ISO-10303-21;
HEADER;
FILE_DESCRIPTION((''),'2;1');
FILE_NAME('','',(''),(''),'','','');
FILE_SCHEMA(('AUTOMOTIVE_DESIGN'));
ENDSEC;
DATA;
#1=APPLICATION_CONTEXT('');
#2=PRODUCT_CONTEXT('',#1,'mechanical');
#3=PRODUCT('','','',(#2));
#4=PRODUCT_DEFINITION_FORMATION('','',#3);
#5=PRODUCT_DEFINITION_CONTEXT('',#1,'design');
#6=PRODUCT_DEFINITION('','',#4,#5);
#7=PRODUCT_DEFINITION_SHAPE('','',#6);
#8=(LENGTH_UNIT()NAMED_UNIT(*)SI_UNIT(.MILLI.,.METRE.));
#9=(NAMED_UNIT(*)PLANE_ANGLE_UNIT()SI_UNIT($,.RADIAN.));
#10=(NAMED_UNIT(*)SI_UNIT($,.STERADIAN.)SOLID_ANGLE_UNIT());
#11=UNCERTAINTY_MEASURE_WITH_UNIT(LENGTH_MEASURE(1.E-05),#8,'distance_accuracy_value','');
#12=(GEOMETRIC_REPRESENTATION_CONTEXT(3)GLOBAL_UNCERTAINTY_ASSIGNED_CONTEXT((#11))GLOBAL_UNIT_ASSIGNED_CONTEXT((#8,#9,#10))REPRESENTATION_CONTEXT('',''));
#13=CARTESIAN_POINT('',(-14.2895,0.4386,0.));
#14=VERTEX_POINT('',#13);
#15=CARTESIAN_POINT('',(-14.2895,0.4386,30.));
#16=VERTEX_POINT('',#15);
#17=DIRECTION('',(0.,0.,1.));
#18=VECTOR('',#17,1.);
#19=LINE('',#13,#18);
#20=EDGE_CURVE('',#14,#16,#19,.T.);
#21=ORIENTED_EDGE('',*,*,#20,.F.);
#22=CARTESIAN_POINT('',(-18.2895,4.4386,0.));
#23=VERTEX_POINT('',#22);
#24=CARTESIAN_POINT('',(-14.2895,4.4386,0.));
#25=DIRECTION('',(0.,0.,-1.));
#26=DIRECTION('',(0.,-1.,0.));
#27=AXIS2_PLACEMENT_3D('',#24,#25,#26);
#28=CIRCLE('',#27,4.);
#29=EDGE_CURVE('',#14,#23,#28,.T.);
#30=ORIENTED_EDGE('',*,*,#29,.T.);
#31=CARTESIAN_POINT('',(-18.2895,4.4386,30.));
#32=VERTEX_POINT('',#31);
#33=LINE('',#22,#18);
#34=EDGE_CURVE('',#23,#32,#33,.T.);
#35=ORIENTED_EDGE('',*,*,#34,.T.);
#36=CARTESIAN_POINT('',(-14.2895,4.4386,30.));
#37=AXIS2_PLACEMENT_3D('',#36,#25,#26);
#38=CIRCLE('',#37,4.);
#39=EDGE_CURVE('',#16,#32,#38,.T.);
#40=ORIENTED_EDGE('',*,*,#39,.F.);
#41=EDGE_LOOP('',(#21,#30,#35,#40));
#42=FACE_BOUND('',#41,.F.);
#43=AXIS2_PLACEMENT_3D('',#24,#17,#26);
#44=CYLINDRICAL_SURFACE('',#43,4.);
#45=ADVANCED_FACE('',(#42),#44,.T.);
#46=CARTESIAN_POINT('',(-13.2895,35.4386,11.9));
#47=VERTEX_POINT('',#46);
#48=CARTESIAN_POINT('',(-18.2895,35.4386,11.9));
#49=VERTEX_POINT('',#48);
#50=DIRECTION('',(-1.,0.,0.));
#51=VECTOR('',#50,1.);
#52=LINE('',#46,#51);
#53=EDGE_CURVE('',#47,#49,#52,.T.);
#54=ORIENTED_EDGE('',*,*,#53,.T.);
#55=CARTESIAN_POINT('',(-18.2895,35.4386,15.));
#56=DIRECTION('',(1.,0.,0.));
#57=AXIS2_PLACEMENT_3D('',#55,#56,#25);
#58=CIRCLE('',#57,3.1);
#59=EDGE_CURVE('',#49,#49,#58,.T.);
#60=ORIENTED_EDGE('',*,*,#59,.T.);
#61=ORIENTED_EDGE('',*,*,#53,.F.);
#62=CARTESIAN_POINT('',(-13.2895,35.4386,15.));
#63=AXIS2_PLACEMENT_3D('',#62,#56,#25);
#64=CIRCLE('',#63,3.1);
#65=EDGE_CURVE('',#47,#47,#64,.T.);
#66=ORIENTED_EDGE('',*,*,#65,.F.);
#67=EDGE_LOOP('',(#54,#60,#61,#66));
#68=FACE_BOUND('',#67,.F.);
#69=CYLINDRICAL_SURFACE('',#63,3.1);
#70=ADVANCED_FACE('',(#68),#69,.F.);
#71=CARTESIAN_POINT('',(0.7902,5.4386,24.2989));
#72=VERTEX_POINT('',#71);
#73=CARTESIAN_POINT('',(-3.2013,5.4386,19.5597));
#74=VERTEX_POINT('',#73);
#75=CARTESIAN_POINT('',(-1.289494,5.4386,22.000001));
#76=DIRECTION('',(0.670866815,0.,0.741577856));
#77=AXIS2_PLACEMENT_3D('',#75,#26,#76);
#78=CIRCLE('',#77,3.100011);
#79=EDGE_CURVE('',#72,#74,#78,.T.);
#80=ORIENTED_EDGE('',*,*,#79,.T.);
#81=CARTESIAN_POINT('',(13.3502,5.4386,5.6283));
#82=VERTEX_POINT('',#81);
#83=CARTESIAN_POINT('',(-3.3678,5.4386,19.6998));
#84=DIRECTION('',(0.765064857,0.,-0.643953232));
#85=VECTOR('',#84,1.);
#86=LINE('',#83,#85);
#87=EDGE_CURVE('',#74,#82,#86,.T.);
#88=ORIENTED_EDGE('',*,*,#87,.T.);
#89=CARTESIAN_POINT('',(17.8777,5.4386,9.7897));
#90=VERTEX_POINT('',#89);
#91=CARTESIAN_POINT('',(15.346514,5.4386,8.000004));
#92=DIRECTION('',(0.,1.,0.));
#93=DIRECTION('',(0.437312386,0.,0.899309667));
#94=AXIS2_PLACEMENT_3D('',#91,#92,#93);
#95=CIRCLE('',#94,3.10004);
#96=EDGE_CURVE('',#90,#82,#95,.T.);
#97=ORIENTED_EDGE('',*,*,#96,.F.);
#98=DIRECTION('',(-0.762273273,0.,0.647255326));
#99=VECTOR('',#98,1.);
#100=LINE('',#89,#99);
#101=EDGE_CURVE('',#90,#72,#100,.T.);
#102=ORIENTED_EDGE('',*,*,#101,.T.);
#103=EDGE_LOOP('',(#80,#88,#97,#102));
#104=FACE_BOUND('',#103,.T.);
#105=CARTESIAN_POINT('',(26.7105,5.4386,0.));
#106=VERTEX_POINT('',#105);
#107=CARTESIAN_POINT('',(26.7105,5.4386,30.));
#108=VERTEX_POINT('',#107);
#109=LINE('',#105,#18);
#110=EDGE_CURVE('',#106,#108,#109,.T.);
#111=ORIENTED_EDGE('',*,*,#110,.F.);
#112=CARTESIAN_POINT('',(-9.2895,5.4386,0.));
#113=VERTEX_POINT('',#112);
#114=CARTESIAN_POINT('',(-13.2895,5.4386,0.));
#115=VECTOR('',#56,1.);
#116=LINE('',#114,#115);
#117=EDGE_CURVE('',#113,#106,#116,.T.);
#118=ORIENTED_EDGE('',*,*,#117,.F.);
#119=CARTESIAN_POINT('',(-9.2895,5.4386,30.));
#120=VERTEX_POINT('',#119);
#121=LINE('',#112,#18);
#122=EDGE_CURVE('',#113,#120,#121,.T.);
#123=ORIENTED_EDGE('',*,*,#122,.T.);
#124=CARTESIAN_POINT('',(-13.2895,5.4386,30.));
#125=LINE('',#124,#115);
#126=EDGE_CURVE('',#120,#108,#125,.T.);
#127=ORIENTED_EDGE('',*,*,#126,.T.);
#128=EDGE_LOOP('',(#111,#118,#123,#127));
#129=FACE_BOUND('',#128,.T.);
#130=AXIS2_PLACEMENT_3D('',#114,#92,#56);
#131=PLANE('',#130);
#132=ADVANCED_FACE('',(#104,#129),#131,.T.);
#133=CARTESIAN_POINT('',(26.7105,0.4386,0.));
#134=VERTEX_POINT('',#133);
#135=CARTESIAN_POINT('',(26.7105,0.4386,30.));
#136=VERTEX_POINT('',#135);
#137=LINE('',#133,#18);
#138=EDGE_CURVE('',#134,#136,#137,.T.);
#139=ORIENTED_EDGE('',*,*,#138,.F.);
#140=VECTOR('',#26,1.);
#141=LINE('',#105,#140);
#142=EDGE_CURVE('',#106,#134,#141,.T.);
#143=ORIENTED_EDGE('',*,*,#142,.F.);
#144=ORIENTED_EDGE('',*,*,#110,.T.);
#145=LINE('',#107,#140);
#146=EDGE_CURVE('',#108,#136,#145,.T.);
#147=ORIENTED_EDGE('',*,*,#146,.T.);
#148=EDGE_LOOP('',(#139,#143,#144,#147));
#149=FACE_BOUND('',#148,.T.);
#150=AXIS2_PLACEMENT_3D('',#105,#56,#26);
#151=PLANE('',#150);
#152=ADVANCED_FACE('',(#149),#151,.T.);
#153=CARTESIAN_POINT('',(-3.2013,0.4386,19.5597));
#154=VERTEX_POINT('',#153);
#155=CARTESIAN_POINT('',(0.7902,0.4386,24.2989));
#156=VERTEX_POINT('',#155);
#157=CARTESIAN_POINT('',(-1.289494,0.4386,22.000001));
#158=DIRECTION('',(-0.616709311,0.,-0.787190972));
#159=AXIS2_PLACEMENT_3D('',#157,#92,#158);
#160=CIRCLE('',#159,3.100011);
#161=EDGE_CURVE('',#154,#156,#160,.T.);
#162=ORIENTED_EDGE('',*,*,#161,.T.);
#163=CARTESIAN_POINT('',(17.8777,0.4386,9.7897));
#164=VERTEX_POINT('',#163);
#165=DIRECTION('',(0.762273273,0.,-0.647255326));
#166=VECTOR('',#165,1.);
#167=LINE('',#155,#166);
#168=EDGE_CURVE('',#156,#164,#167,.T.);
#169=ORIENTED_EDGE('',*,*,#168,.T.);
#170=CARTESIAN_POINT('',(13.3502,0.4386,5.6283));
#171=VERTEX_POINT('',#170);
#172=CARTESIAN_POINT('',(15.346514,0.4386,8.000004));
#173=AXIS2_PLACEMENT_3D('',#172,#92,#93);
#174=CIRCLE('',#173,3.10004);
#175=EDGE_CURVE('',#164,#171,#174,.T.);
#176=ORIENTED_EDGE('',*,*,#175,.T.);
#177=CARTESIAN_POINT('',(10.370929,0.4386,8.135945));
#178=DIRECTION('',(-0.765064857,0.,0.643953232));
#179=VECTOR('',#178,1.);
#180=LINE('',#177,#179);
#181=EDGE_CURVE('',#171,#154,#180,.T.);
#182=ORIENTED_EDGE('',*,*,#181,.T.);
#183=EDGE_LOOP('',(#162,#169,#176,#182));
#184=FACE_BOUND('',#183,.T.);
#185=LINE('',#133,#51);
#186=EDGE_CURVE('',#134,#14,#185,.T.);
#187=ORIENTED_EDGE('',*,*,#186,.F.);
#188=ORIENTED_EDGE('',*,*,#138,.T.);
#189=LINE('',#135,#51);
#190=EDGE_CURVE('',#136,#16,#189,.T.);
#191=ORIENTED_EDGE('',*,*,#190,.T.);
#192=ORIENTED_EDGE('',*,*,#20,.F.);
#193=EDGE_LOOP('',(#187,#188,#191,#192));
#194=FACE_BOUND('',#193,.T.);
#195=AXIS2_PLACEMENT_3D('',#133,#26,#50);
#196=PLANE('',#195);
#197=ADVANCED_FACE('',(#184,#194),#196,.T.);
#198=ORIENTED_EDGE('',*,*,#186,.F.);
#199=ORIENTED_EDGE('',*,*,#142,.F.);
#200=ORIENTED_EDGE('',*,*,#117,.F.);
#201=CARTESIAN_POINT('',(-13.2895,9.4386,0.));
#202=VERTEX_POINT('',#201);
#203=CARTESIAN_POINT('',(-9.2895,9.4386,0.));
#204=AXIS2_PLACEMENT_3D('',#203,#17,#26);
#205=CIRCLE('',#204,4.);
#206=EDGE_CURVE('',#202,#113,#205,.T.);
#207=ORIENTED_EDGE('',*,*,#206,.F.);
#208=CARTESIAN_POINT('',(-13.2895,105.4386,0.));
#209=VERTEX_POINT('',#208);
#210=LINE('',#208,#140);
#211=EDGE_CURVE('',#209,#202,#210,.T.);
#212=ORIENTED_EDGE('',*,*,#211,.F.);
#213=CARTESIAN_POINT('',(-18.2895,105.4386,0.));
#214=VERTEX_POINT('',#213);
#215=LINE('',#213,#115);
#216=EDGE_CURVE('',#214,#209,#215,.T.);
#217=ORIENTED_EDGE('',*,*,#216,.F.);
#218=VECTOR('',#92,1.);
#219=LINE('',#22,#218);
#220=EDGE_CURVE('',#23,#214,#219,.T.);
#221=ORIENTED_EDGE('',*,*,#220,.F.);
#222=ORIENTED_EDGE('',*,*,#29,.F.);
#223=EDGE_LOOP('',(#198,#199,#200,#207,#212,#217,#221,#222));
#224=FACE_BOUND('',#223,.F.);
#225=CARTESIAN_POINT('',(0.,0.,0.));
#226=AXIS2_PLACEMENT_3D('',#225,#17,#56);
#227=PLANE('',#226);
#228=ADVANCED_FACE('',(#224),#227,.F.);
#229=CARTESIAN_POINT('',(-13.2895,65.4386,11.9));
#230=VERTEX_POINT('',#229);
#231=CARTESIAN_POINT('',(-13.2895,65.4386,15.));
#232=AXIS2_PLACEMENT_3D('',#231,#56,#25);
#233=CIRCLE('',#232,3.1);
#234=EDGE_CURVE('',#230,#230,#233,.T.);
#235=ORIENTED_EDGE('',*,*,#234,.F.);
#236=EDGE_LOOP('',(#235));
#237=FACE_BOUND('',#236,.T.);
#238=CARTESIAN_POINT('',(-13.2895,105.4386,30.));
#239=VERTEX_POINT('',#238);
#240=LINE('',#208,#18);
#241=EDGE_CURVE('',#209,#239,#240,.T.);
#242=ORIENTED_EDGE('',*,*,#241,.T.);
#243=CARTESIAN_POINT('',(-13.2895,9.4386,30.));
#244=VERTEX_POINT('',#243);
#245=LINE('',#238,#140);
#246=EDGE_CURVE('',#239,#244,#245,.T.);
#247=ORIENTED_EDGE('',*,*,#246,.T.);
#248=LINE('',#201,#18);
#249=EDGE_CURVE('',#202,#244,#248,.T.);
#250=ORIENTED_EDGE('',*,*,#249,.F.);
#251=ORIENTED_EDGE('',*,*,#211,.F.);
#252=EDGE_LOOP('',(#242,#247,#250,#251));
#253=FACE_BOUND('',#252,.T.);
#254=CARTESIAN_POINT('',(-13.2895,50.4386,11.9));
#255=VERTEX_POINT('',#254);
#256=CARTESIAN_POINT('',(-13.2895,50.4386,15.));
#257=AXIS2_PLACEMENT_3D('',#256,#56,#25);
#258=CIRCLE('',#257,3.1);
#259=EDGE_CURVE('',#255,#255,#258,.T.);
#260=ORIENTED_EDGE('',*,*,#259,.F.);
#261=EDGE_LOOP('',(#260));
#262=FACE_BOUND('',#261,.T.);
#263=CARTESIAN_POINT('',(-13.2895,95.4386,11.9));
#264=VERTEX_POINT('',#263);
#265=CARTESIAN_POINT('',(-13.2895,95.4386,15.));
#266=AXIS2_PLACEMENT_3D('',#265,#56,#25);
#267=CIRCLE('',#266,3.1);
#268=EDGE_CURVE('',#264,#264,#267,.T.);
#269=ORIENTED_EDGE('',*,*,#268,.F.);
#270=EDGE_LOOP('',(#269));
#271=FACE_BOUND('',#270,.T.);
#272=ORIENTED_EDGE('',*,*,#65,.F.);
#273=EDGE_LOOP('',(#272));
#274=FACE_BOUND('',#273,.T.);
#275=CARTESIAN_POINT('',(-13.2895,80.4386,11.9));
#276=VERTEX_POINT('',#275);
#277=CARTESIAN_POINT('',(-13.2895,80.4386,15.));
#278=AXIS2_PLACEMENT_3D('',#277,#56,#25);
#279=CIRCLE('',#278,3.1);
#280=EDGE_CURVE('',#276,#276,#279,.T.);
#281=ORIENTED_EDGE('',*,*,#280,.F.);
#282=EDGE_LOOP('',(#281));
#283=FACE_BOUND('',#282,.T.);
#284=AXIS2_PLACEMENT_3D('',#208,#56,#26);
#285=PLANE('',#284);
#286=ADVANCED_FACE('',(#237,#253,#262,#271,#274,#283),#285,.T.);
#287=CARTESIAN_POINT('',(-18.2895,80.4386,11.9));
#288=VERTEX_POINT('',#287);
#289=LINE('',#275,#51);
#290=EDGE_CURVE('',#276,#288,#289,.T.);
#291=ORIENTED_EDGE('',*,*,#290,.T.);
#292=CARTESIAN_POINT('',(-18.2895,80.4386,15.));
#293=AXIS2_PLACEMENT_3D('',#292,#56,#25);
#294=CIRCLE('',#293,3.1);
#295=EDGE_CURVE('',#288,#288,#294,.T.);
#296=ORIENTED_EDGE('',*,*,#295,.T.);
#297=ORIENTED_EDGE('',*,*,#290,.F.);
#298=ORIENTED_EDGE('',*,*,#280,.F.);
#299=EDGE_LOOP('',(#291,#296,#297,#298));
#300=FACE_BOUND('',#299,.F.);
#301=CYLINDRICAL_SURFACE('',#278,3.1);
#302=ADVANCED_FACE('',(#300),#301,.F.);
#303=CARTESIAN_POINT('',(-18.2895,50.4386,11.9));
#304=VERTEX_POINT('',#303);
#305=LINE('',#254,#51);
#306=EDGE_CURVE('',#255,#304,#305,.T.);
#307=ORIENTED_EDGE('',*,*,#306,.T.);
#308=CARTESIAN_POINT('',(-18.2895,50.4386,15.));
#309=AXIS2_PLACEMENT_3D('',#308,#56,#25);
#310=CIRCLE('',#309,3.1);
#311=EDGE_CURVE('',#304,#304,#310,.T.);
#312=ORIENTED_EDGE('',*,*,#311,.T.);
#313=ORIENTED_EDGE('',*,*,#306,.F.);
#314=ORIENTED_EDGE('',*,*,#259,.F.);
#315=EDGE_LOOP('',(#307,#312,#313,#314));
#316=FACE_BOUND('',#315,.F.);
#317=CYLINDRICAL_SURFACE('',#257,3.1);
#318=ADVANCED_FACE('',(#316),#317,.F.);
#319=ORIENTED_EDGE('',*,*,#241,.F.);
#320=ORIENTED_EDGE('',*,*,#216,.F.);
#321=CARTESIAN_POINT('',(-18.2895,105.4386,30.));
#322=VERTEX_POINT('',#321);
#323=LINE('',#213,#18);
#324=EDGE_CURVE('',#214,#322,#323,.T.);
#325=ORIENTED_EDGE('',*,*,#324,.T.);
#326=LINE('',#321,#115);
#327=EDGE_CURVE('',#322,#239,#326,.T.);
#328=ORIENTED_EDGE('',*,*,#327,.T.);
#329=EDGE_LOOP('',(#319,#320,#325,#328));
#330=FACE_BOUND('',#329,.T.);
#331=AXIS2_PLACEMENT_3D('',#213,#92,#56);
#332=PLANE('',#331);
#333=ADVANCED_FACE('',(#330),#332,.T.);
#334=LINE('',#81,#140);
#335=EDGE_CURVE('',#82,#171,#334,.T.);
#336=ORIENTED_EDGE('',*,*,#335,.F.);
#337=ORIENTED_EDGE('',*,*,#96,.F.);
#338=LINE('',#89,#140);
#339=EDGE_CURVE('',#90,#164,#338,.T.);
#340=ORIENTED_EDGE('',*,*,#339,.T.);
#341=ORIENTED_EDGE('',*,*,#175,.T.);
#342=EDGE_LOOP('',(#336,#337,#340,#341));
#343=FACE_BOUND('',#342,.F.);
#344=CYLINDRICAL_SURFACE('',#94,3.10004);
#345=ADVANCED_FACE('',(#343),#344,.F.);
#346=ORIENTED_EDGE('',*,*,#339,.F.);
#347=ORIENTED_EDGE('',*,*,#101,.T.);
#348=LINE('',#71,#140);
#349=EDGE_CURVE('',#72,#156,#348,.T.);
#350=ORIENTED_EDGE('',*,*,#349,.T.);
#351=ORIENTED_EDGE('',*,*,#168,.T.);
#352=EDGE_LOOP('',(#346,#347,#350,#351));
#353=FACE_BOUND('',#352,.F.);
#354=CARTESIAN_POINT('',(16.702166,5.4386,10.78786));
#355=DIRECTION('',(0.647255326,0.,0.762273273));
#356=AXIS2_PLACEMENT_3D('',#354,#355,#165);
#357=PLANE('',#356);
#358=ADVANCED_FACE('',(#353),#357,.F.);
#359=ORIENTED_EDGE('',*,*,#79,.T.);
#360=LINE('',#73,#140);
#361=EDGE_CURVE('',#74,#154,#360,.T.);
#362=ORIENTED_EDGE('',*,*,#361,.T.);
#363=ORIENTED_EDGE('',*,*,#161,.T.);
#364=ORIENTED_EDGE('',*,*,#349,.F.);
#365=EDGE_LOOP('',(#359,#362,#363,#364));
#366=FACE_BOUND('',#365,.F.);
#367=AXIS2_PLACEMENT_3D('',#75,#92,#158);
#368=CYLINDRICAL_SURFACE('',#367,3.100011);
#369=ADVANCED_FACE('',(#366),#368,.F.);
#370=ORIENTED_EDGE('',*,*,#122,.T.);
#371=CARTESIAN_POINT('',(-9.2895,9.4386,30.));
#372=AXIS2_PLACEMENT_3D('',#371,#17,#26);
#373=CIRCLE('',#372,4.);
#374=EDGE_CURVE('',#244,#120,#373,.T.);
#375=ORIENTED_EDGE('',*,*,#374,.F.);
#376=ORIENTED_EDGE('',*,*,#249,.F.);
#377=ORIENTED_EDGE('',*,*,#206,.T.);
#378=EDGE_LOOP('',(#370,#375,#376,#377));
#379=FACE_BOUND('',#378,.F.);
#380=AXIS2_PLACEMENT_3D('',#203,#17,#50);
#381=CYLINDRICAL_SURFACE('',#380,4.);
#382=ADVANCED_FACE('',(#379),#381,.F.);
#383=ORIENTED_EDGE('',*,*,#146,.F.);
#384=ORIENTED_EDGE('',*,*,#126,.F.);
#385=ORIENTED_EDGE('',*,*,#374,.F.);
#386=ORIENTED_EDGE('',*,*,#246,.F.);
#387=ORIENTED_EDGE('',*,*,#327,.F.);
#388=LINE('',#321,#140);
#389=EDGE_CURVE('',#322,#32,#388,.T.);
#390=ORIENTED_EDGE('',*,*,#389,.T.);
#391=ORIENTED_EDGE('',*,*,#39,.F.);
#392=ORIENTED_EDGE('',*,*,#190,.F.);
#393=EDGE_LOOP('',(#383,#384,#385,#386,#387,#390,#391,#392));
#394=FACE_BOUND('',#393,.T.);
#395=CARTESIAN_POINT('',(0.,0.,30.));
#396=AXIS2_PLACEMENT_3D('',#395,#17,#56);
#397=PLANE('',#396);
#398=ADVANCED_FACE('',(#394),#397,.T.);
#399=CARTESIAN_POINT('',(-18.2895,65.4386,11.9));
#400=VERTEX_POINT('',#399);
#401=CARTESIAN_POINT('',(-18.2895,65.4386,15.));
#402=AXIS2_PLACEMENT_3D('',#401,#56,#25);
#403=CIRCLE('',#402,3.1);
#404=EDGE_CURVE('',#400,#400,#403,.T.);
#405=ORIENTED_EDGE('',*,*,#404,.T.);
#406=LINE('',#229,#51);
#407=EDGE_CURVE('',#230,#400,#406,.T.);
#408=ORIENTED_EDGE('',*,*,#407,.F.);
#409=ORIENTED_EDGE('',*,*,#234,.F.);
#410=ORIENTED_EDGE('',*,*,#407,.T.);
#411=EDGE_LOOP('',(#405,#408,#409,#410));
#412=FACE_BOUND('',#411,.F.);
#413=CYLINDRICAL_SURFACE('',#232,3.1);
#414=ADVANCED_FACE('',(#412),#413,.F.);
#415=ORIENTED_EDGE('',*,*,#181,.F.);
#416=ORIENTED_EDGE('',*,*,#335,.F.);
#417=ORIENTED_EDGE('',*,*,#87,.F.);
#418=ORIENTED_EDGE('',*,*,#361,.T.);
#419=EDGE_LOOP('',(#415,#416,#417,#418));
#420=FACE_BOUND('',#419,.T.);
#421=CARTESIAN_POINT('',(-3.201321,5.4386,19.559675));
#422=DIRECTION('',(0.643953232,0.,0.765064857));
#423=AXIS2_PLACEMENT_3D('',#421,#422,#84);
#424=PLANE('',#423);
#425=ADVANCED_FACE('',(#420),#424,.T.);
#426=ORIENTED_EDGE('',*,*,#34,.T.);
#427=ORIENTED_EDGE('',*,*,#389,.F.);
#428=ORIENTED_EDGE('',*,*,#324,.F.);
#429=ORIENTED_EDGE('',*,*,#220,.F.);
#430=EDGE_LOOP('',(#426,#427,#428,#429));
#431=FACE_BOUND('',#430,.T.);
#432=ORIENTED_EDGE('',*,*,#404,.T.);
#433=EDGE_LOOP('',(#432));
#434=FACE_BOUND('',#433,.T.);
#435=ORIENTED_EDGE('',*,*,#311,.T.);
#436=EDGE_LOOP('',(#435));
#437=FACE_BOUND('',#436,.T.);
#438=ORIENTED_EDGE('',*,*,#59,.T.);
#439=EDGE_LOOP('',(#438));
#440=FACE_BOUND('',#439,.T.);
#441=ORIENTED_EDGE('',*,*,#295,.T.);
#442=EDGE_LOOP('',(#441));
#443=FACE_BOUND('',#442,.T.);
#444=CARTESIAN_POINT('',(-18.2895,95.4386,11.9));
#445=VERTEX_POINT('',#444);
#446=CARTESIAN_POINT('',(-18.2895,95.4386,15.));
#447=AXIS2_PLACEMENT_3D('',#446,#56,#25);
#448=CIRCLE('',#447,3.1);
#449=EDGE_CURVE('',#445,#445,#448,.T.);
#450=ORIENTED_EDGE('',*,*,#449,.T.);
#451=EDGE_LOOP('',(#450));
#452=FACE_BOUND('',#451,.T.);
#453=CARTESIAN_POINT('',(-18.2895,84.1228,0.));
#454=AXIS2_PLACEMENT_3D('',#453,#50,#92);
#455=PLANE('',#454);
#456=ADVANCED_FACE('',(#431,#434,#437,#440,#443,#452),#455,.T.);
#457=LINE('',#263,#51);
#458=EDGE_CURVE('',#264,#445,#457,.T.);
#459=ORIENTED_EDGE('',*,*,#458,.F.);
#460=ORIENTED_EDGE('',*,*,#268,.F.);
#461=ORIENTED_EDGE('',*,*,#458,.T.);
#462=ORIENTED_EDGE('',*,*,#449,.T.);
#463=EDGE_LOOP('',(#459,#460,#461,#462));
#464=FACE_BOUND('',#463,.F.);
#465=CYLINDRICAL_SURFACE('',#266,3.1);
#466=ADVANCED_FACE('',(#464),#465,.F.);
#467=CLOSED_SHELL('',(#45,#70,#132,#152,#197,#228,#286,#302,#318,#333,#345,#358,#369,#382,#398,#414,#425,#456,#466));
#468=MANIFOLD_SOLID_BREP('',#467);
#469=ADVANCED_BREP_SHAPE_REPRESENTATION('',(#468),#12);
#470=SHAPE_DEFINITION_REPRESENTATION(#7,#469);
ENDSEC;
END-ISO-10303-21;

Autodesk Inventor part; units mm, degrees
ref_plane "YZ Plane" through (0, 0, 0) normal (1, 0, 0) x (0, 1, 0)
ref_plane "XZ Plane" through (0, 0, 0) normal (0, 1, 0) x (-1, 0, 0)
ref_plane "XY Plane" through (0, 0, 0) normal (0, 0, 1) x (1, 0, 0)
sketch "Sketch1" plane through (0, 0, 0) normal (0, 0, 1) x (1, 0, 0)
  line L0 (-18.2895, 105.4386) -> (-13.2895, 105.4386)
  line L1 (-13.2895, 105.4386) -> (-13.2895, 5.4386)
  line L2 (-18.2895, 84.1228) -> (-18.2895, 105.4386)
  line L3 (-13.2895, 5.4386) -> (26.7105, 5.4386)
  line L4 (26.7105, 5.4386) -> (26.7105, 0.4386)
  line L5 (26.7105, 0.4386) -> (-18.2895, 0.4386)
  line L6 (-18.2895, 0.4386) -> (-18.2895, 84.1228)
  point P0 (0, 0)
  dimension "d0" = 5
  dimension "d1" = 5
  dimension "d2" = 100
  dimension "d3" = 40
extrude "Extrusion1" add sketch "Sketch1" along normal blind 30
fillet "Fillet1" radius 4 2 edges at (-18.2895, 0.4386, 15) (-13.2895, 5.4386, 15)
sketch "Sketch2" plane through (-13.2895, 105.4386, 30) normal (1, 0, 0) x (0, 0, -1)
  circle A0 centre (15, -10) radius 3.1
  line L0 (30, -96) -> (30, 0) projected
  line L1 (30, 0) -> (0, 0) projected
  circle A1 centre (15, -25) radius 3.1
  circle A2 centre (15, -40) radius 3.1
  circle A3 centre (15, -55) radius 3.1
  circle A4 centre (15, -70) radius 3.1
  point P0 (30, -105.4386)
  dimension "d7" = 6.2
  dimension "d8" = 15
  dimension "d9" = 10
  dimension "d13" = 15
extrude "Extrusion2" cut sketch "Sketch2" against normal through all
sketch "Sketch3" plane through (26.7105, 5.4386, 30) normal (0, 1, 0) x (1, 0, 0)
  arc A0 (-29.9118, 10.4403) -> (-25.9203, 5.7011) centre (-28, 8) ccw
  arc A1 (-10.0083, 19.2121) -> (-13.3603, 24.3717) centre (-11.364, 22) ccw
  line L0 (-25.9203, 5.7011) -> (-8.8328, 20.2103)
  line L1 (-30.0783, 10.3002) -> (-13.3603, 24.3717)
  line L2 (0, 30) -> (-36, 30) projected
  line L3 (0, 0) -> (-36, 0) projected
  line L4 (0, 30) -> (0, 0) projected
  line L5 (-36, 0) -> (-36, 30) projected
  point P0 (-26.7105, 30)
  dimension "d20" = 6.2
  dimension "d21" = 6.2
  dimension "d22" = 8
  dimension "d23" = 8
  dimension "d24" = 11.364
  dimension "d25" = 8
extrude "Extrusion3" cut sketch "Sketch3" against normal through all contours L1 A1 L0 A0
properties part number "Mounting Bracket"
